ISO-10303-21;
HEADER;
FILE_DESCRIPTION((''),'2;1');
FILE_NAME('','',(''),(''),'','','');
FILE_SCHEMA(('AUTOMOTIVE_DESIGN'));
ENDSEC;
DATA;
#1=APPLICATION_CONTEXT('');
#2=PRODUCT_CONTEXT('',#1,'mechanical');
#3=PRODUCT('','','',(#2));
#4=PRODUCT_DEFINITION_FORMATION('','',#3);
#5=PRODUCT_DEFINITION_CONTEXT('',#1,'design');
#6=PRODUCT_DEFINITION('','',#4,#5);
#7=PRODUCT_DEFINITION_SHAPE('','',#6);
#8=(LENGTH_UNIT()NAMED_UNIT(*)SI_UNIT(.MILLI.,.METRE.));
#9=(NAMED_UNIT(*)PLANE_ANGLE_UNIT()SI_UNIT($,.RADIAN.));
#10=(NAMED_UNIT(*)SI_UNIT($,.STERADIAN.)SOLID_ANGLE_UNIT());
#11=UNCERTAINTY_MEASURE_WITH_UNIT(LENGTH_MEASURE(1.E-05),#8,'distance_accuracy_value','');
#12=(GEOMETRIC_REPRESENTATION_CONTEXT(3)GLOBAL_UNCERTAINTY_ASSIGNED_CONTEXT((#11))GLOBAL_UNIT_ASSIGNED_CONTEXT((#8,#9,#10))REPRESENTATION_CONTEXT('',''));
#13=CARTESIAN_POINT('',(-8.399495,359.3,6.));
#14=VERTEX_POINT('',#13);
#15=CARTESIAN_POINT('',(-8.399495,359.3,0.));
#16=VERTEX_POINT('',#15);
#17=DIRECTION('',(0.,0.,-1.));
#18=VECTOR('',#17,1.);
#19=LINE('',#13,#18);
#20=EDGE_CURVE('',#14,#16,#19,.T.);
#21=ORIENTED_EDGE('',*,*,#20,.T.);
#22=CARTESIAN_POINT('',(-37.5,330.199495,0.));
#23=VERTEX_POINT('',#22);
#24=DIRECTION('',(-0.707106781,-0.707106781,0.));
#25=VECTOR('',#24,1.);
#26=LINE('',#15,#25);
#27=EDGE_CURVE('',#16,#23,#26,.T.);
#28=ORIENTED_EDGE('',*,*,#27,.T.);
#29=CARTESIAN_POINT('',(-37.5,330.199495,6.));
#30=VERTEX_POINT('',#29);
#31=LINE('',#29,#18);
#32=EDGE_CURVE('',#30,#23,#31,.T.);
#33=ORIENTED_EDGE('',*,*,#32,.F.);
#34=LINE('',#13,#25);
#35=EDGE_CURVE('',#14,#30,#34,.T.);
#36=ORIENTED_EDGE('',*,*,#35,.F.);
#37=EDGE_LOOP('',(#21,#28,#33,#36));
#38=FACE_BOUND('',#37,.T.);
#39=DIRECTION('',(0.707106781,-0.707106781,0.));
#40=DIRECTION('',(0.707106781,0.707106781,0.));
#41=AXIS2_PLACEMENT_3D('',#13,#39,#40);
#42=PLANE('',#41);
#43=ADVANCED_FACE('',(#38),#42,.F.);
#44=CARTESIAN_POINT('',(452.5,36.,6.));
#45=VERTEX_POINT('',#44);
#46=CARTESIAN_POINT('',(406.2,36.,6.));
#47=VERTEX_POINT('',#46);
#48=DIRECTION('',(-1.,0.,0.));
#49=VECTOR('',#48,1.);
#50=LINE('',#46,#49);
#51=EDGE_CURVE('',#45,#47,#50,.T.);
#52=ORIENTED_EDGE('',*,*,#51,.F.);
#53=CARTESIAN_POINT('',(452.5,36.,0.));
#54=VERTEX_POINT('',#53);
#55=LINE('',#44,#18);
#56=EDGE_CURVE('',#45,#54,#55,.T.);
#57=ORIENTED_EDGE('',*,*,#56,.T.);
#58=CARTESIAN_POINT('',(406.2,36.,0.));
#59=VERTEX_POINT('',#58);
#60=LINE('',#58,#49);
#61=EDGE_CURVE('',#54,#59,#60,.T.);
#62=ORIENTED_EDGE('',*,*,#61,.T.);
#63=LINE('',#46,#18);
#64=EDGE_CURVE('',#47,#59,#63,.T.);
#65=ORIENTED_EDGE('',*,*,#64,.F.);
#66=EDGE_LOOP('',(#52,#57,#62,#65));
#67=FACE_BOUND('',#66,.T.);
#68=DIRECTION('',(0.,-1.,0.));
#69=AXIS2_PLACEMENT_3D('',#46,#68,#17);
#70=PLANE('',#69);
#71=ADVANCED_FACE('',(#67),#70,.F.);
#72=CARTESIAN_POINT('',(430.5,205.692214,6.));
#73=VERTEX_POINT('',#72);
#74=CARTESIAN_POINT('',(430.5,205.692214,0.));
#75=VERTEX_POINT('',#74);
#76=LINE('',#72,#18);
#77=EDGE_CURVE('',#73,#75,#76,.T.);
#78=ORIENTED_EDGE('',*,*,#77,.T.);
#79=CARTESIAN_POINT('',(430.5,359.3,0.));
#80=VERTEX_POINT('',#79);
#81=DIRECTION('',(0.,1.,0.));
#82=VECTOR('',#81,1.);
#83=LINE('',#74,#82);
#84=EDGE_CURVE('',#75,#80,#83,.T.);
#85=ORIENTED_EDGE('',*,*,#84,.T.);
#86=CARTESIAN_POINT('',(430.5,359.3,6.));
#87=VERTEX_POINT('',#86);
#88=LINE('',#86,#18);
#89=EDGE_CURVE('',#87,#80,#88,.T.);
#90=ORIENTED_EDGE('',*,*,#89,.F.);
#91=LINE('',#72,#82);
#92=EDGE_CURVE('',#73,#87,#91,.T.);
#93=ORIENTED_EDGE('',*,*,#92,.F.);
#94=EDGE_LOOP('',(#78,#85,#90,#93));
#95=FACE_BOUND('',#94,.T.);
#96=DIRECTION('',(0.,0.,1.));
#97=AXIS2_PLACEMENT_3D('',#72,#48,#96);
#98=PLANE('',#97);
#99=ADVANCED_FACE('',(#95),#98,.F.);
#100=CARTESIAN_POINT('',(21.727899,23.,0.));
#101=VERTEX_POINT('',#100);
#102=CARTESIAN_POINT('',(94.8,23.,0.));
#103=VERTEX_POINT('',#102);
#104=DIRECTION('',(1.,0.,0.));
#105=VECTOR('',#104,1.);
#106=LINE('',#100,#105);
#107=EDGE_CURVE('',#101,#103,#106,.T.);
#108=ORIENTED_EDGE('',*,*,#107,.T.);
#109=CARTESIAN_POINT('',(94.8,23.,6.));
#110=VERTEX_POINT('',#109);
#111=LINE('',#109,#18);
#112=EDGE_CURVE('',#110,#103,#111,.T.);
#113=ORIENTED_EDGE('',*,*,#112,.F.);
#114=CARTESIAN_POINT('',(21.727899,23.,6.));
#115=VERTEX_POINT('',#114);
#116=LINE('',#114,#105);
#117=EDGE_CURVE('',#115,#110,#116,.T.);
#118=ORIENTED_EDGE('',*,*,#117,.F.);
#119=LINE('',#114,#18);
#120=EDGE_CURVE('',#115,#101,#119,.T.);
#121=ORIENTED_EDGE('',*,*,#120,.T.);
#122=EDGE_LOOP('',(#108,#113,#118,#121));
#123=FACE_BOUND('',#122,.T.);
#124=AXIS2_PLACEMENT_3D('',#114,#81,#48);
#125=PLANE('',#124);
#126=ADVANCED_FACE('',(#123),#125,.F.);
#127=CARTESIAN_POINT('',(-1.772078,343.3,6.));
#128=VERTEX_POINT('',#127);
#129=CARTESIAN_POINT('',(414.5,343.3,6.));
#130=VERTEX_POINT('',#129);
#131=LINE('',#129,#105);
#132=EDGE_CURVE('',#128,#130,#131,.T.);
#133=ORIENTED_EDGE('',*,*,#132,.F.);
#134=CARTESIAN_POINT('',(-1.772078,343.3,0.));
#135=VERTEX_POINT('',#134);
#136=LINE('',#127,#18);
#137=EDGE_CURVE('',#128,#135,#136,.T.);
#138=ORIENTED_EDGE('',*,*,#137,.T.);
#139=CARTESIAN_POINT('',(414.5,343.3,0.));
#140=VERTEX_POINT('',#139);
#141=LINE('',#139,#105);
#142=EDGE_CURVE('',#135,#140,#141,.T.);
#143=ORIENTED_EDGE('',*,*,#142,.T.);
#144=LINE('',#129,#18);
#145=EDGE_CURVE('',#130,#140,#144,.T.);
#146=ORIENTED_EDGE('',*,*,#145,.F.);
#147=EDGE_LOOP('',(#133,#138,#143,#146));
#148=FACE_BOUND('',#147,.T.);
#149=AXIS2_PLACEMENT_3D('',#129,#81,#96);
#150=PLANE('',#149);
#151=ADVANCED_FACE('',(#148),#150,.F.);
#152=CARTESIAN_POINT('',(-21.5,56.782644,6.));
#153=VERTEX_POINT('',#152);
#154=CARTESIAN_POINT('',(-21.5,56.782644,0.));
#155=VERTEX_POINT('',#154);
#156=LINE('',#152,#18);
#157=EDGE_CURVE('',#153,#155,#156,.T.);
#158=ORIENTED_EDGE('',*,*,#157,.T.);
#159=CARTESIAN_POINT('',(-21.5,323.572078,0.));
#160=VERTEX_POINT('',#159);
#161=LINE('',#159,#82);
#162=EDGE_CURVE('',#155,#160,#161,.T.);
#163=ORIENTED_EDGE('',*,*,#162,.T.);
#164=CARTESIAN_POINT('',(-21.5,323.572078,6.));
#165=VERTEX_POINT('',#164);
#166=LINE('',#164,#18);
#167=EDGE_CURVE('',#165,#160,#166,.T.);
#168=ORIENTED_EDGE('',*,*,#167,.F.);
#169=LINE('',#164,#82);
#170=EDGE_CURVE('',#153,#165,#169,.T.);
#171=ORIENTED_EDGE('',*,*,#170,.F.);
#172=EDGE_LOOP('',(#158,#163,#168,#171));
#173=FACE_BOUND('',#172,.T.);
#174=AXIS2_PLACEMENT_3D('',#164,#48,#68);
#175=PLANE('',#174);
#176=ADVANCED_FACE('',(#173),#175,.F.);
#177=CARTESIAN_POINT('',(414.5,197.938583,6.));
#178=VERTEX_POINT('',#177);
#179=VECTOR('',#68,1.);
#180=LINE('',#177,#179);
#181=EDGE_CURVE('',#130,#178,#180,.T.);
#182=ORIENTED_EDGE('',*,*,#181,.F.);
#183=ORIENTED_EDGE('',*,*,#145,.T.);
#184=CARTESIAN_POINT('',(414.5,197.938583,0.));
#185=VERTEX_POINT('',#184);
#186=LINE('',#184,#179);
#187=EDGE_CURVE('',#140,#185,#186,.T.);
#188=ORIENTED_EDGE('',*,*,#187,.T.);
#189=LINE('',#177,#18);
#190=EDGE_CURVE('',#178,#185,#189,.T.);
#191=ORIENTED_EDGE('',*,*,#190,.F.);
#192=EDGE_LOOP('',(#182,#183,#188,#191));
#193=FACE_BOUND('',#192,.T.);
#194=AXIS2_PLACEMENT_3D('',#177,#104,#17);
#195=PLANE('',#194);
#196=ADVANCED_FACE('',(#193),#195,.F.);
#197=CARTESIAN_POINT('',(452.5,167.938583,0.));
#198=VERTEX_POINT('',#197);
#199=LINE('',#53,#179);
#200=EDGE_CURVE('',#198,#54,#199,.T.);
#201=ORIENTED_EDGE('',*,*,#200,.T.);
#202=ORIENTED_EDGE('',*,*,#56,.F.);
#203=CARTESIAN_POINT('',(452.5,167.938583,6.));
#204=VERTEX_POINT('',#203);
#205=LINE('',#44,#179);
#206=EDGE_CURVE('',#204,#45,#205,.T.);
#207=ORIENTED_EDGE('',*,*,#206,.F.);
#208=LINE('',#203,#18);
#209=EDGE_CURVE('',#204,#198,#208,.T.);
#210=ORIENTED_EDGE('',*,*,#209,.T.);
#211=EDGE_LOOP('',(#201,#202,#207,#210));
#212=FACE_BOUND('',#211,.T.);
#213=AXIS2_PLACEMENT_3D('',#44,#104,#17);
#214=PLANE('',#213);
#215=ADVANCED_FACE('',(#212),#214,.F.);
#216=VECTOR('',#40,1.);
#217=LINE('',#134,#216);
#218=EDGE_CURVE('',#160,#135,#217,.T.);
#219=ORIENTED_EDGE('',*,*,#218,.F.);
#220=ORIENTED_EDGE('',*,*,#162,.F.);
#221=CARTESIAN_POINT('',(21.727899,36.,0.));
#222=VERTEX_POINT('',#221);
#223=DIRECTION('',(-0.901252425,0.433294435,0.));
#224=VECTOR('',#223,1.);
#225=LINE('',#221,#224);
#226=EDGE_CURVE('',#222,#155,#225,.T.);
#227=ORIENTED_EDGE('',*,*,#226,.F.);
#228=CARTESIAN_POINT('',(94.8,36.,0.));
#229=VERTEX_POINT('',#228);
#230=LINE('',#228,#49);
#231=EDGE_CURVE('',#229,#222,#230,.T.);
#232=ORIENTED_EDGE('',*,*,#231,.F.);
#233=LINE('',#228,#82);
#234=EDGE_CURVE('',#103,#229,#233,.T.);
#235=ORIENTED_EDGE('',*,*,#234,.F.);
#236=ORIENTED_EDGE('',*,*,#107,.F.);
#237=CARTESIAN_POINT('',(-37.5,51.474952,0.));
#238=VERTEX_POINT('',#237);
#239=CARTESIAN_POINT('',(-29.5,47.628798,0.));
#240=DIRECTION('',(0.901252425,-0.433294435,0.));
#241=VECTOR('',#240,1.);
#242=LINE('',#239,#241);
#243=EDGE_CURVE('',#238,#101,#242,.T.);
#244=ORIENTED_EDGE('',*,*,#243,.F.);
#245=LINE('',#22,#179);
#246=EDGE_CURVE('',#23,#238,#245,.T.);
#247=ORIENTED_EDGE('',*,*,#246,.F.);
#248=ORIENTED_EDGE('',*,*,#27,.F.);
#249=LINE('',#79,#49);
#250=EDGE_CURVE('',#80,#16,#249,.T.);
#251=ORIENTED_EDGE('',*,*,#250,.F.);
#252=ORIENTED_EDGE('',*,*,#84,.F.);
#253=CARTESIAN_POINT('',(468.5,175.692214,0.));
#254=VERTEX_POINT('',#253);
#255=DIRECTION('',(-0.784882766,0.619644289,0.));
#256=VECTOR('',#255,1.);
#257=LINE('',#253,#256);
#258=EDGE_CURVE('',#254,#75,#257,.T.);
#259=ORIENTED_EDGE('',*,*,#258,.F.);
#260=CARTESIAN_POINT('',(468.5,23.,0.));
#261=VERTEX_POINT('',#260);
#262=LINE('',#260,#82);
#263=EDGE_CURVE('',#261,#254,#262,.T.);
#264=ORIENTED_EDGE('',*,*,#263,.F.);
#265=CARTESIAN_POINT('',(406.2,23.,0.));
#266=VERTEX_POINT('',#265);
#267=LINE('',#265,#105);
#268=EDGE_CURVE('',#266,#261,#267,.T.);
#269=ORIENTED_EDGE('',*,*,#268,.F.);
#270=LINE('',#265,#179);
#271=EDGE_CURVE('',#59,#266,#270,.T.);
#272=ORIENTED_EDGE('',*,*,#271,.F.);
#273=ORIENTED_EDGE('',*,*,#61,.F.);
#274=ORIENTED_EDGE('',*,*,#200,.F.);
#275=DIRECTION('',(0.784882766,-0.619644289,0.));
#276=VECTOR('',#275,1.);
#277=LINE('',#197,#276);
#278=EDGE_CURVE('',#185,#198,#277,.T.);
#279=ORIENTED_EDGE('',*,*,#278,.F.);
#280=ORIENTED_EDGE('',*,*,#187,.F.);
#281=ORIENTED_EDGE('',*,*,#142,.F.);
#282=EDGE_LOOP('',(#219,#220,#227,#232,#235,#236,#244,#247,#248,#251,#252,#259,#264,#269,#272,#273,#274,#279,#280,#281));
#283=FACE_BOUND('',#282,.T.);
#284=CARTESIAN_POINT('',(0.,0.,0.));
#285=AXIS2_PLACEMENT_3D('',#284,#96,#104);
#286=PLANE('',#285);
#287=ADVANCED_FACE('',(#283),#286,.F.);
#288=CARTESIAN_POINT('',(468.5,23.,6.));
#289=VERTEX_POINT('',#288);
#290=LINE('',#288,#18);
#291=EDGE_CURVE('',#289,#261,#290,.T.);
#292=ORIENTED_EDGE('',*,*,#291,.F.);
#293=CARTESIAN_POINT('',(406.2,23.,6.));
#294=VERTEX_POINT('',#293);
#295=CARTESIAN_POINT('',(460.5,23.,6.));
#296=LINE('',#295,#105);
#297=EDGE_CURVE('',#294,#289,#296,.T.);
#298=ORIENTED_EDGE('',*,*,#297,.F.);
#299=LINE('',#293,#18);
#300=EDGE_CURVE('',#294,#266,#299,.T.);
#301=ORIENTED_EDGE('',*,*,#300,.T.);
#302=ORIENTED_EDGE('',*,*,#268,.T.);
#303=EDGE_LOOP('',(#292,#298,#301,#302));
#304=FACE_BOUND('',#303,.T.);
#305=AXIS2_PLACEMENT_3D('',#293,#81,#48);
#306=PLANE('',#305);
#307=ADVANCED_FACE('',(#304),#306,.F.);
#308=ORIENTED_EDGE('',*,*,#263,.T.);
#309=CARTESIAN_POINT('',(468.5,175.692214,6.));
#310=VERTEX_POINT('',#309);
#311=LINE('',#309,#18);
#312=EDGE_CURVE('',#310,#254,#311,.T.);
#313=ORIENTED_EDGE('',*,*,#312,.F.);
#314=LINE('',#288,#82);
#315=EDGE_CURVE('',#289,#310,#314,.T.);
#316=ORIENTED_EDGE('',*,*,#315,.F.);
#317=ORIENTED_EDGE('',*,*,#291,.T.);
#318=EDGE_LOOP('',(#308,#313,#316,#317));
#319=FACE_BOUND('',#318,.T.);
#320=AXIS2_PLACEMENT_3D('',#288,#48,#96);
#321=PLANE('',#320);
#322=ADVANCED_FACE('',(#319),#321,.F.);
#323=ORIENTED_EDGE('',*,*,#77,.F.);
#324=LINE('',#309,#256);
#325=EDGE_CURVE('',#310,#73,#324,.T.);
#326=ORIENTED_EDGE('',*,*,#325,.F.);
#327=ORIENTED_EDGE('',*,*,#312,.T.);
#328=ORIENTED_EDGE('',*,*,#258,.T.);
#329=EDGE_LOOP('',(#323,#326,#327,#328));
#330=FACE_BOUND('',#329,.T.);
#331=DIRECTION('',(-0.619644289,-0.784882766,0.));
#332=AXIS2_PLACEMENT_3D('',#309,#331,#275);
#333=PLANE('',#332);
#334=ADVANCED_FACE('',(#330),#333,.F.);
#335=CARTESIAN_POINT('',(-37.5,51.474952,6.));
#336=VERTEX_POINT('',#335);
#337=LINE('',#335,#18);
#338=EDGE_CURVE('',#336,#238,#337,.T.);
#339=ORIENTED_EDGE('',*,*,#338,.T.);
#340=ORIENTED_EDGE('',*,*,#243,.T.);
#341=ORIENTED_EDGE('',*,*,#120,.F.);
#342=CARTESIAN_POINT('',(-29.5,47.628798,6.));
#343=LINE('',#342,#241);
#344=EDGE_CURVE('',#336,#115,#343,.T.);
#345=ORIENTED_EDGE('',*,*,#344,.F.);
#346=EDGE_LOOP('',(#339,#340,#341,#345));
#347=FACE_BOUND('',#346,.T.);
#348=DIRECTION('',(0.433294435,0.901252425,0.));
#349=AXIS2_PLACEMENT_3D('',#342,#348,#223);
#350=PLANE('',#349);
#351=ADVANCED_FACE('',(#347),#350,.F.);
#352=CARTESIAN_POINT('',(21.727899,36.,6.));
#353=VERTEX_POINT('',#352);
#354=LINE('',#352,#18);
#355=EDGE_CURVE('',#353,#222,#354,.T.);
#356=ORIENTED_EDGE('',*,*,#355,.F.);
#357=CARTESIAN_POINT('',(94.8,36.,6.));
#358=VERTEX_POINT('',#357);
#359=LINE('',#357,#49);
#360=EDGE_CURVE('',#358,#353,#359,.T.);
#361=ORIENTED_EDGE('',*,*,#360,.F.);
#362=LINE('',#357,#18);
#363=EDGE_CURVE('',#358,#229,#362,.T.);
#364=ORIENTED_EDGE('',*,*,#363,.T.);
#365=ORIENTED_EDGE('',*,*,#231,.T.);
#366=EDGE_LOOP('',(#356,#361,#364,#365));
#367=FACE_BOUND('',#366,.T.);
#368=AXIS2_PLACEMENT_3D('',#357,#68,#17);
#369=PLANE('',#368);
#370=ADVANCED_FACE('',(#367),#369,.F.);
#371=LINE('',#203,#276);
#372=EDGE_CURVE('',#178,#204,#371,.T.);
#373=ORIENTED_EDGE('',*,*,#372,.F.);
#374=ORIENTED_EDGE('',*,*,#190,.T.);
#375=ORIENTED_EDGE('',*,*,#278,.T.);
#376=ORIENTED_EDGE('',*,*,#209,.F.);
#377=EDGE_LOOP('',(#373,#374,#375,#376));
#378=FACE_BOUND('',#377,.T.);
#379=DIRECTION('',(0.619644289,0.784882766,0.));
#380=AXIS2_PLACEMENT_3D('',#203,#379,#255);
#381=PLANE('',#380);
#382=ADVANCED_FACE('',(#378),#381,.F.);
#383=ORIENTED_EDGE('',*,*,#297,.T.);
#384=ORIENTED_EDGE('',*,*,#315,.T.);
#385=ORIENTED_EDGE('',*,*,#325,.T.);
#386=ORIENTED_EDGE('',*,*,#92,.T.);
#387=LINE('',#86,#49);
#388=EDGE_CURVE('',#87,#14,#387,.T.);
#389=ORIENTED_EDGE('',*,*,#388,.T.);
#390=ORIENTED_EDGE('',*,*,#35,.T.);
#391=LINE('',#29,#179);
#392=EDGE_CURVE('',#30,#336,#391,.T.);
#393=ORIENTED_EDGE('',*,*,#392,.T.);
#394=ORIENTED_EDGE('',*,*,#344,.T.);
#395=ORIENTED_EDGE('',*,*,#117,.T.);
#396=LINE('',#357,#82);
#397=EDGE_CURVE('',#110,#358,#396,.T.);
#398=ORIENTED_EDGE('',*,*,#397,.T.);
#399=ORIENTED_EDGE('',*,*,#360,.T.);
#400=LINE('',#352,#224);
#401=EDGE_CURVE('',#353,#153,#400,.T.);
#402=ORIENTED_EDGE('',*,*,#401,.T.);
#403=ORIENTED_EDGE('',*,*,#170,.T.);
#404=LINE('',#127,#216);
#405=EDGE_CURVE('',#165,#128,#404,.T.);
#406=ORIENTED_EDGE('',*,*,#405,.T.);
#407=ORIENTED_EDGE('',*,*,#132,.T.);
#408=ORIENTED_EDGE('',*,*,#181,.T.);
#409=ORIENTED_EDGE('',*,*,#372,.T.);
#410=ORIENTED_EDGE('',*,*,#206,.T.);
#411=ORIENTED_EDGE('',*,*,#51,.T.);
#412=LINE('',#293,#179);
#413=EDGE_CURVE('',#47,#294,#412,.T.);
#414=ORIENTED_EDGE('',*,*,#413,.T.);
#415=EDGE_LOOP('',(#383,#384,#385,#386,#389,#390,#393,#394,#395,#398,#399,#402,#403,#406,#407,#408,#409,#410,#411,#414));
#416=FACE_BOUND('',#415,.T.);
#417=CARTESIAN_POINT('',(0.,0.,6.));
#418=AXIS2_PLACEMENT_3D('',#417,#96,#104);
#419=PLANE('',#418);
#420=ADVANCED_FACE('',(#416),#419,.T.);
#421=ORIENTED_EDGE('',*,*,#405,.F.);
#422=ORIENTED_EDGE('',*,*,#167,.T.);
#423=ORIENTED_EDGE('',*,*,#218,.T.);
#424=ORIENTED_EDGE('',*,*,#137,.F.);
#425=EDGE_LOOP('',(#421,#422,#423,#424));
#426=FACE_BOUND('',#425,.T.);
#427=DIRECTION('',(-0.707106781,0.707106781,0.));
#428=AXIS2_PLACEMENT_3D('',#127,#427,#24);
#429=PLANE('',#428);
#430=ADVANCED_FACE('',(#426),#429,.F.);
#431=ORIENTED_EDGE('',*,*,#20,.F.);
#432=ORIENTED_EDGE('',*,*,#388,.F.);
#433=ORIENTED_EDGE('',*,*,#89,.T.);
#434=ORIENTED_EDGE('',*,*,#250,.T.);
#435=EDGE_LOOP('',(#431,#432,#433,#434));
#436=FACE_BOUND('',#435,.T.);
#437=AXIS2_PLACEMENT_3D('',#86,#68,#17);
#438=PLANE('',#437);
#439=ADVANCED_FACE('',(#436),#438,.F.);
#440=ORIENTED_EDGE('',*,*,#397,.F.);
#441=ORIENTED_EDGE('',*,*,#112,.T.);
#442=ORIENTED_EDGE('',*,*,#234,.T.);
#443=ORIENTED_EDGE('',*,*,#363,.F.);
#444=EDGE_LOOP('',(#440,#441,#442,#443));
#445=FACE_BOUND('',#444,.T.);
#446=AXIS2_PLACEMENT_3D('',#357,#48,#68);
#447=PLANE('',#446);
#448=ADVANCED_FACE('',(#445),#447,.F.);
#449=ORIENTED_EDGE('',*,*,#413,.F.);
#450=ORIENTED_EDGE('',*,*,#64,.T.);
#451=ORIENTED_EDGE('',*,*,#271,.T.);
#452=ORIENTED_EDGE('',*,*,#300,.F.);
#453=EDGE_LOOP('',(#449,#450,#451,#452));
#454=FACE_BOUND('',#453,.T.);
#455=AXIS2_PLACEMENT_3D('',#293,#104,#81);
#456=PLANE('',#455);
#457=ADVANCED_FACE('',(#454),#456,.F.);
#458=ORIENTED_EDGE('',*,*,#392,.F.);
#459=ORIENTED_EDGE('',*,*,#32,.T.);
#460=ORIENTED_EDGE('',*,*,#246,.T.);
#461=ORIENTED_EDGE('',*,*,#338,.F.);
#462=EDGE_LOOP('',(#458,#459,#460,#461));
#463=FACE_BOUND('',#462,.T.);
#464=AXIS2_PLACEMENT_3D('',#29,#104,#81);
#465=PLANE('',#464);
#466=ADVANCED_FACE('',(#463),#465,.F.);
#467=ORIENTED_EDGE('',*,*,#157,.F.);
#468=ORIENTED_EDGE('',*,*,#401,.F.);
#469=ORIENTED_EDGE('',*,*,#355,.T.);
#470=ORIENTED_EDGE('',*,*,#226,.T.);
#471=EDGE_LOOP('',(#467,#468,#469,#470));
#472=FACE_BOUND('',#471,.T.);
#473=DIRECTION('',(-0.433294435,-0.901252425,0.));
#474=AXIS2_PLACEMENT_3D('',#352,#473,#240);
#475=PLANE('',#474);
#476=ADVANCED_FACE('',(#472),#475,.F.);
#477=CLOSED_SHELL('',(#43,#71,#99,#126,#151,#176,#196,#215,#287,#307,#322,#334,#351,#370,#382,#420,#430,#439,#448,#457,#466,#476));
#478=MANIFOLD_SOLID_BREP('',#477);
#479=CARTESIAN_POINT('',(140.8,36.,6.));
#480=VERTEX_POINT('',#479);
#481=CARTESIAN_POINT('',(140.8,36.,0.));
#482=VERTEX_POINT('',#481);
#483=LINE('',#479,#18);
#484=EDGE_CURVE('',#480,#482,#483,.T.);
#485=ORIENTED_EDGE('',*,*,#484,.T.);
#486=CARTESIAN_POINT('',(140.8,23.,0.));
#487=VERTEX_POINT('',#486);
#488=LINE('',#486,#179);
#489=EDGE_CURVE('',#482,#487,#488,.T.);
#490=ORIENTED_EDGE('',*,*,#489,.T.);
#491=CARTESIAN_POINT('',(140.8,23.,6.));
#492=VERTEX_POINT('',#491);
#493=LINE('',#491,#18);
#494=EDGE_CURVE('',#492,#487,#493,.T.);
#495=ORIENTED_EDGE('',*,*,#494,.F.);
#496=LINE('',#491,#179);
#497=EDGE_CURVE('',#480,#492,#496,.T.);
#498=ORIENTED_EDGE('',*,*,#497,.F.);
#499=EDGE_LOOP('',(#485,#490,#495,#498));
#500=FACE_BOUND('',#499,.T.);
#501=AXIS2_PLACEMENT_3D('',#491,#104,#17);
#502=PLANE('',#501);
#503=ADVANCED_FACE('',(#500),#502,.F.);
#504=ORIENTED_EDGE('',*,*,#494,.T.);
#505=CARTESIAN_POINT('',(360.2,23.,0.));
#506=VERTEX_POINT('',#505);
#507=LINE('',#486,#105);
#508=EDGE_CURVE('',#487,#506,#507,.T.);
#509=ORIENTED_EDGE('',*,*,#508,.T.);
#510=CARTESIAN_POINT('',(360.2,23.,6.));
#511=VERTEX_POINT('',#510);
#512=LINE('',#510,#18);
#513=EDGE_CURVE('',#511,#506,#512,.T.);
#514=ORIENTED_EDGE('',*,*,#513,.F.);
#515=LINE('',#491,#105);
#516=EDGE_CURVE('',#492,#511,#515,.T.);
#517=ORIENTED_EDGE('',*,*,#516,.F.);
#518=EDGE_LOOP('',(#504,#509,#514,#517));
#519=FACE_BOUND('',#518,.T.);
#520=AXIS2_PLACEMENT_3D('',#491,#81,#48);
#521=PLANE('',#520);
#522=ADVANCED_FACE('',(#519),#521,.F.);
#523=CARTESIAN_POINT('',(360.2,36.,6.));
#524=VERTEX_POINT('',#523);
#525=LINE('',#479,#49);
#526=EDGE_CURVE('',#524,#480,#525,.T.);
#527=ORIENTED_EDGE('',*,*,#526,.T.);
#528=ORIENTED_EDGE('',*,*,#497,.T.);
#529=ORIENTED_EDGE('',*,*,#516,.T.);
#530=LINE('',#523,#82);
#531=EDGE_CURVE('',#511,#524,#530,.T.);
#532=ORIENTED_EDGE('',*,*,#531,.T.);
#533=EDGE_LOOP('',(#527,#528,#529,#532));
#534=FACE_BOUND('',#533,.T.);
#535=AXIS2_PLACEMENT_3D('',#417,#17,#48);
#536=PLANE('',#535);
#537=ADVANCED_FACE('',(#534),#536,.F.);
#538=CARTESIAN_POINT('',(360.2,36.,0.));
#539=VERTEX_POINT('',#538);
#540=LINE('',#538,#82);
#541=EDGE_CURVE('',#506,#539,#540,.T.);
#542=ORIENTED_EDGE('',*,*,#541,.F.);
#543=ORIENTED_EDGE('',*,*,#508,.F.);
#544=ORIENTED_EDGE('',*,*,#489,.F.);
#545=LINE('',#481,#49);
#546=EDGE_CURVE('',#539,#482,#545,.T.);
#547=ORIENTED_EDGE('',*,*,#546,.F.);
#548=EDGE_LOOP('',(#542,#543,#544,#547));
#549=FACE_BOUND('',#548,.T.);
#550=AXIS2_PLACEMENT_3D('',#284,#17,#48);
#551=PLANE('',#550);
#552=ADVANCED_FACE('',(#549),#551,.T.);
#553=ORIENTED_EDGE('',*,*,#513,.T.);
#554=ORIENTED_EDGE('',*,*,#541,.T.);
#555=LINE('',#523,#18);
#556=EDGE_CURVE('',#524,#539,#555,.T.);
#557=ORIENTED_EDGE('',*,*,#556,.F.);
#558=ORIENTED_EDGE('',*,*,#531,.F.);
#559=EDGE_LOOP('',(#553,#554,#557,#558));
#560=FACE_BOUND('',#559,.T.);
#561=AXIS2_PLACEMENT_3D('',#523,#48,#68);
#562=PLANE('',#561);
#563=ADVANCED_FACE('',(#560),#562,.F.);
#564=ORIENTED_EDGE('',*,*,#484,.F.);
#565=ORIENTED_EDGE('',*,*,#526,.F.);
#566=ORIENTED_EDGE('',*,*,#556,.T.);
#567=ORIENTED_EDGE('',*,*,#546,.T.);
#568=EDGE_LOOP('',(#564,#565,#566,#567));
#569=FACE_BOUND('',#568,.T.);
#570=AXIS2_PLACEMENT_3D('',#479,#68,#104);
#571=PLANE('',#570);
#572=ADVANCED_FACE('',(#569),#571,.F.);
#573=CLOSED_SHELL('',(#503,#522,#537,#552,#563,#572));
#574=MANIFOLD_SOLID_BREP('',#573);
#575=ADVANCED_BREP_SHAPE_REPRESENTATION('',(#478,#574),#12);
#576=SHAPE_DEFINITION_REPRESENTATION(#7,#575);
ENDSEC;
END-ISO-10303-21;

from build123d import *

# Parameters (mm, degrees)
BOSS_EXTRU_1_DEPTH   = 6
ESQUISSE1_W          = 219.4
ESQUISSE1_H          = 13
BOSS_EXTRU_1_2_DEPTH = 6


with BuildPart() as part:
    # Esquisse1 → Boss.-Extru.1 (new body)
    with BuildSketch(Plane.XY):
        Polygon((468.5, 23), (468.5, 175.692213585), (430.5, 205.692213585), (430.5, 359.3), (-8.399494937, 359.3), (-37.5, 330.199494937), (-37.5, 51.474951672), (-29.5, 47.628797826), (21.727899478, 23), (94.8, 23), (94.8, 36), (21.727899478, 36), (-21.5, 56.78264398), (-21.5, 323.572077939), (-1.772077939, 343.3), (414.5, 343.3), (414.5, 197.938582533), (452.5, 167.938582533), (452.5, 36), (406.2, 36), (406.2, 23), (460.5, 23), align=None)
    extrude(amount=BOSS_EXTRU_1_DEPTH)


with BuildPart() as body_2:
    # Esquisse1 → Boss.-Extru.1 2 (new body)
    with BuildSketch(Plane.XY):
        with Locations((250.5, 29.5)):
            Rectangle(ESQUISSE1_W, ESQUISSE1_H)
    extrude(amount=BOSS_EXTRU_1_2_DEPTH)


solid = Compound([part.part, body_2.part])
